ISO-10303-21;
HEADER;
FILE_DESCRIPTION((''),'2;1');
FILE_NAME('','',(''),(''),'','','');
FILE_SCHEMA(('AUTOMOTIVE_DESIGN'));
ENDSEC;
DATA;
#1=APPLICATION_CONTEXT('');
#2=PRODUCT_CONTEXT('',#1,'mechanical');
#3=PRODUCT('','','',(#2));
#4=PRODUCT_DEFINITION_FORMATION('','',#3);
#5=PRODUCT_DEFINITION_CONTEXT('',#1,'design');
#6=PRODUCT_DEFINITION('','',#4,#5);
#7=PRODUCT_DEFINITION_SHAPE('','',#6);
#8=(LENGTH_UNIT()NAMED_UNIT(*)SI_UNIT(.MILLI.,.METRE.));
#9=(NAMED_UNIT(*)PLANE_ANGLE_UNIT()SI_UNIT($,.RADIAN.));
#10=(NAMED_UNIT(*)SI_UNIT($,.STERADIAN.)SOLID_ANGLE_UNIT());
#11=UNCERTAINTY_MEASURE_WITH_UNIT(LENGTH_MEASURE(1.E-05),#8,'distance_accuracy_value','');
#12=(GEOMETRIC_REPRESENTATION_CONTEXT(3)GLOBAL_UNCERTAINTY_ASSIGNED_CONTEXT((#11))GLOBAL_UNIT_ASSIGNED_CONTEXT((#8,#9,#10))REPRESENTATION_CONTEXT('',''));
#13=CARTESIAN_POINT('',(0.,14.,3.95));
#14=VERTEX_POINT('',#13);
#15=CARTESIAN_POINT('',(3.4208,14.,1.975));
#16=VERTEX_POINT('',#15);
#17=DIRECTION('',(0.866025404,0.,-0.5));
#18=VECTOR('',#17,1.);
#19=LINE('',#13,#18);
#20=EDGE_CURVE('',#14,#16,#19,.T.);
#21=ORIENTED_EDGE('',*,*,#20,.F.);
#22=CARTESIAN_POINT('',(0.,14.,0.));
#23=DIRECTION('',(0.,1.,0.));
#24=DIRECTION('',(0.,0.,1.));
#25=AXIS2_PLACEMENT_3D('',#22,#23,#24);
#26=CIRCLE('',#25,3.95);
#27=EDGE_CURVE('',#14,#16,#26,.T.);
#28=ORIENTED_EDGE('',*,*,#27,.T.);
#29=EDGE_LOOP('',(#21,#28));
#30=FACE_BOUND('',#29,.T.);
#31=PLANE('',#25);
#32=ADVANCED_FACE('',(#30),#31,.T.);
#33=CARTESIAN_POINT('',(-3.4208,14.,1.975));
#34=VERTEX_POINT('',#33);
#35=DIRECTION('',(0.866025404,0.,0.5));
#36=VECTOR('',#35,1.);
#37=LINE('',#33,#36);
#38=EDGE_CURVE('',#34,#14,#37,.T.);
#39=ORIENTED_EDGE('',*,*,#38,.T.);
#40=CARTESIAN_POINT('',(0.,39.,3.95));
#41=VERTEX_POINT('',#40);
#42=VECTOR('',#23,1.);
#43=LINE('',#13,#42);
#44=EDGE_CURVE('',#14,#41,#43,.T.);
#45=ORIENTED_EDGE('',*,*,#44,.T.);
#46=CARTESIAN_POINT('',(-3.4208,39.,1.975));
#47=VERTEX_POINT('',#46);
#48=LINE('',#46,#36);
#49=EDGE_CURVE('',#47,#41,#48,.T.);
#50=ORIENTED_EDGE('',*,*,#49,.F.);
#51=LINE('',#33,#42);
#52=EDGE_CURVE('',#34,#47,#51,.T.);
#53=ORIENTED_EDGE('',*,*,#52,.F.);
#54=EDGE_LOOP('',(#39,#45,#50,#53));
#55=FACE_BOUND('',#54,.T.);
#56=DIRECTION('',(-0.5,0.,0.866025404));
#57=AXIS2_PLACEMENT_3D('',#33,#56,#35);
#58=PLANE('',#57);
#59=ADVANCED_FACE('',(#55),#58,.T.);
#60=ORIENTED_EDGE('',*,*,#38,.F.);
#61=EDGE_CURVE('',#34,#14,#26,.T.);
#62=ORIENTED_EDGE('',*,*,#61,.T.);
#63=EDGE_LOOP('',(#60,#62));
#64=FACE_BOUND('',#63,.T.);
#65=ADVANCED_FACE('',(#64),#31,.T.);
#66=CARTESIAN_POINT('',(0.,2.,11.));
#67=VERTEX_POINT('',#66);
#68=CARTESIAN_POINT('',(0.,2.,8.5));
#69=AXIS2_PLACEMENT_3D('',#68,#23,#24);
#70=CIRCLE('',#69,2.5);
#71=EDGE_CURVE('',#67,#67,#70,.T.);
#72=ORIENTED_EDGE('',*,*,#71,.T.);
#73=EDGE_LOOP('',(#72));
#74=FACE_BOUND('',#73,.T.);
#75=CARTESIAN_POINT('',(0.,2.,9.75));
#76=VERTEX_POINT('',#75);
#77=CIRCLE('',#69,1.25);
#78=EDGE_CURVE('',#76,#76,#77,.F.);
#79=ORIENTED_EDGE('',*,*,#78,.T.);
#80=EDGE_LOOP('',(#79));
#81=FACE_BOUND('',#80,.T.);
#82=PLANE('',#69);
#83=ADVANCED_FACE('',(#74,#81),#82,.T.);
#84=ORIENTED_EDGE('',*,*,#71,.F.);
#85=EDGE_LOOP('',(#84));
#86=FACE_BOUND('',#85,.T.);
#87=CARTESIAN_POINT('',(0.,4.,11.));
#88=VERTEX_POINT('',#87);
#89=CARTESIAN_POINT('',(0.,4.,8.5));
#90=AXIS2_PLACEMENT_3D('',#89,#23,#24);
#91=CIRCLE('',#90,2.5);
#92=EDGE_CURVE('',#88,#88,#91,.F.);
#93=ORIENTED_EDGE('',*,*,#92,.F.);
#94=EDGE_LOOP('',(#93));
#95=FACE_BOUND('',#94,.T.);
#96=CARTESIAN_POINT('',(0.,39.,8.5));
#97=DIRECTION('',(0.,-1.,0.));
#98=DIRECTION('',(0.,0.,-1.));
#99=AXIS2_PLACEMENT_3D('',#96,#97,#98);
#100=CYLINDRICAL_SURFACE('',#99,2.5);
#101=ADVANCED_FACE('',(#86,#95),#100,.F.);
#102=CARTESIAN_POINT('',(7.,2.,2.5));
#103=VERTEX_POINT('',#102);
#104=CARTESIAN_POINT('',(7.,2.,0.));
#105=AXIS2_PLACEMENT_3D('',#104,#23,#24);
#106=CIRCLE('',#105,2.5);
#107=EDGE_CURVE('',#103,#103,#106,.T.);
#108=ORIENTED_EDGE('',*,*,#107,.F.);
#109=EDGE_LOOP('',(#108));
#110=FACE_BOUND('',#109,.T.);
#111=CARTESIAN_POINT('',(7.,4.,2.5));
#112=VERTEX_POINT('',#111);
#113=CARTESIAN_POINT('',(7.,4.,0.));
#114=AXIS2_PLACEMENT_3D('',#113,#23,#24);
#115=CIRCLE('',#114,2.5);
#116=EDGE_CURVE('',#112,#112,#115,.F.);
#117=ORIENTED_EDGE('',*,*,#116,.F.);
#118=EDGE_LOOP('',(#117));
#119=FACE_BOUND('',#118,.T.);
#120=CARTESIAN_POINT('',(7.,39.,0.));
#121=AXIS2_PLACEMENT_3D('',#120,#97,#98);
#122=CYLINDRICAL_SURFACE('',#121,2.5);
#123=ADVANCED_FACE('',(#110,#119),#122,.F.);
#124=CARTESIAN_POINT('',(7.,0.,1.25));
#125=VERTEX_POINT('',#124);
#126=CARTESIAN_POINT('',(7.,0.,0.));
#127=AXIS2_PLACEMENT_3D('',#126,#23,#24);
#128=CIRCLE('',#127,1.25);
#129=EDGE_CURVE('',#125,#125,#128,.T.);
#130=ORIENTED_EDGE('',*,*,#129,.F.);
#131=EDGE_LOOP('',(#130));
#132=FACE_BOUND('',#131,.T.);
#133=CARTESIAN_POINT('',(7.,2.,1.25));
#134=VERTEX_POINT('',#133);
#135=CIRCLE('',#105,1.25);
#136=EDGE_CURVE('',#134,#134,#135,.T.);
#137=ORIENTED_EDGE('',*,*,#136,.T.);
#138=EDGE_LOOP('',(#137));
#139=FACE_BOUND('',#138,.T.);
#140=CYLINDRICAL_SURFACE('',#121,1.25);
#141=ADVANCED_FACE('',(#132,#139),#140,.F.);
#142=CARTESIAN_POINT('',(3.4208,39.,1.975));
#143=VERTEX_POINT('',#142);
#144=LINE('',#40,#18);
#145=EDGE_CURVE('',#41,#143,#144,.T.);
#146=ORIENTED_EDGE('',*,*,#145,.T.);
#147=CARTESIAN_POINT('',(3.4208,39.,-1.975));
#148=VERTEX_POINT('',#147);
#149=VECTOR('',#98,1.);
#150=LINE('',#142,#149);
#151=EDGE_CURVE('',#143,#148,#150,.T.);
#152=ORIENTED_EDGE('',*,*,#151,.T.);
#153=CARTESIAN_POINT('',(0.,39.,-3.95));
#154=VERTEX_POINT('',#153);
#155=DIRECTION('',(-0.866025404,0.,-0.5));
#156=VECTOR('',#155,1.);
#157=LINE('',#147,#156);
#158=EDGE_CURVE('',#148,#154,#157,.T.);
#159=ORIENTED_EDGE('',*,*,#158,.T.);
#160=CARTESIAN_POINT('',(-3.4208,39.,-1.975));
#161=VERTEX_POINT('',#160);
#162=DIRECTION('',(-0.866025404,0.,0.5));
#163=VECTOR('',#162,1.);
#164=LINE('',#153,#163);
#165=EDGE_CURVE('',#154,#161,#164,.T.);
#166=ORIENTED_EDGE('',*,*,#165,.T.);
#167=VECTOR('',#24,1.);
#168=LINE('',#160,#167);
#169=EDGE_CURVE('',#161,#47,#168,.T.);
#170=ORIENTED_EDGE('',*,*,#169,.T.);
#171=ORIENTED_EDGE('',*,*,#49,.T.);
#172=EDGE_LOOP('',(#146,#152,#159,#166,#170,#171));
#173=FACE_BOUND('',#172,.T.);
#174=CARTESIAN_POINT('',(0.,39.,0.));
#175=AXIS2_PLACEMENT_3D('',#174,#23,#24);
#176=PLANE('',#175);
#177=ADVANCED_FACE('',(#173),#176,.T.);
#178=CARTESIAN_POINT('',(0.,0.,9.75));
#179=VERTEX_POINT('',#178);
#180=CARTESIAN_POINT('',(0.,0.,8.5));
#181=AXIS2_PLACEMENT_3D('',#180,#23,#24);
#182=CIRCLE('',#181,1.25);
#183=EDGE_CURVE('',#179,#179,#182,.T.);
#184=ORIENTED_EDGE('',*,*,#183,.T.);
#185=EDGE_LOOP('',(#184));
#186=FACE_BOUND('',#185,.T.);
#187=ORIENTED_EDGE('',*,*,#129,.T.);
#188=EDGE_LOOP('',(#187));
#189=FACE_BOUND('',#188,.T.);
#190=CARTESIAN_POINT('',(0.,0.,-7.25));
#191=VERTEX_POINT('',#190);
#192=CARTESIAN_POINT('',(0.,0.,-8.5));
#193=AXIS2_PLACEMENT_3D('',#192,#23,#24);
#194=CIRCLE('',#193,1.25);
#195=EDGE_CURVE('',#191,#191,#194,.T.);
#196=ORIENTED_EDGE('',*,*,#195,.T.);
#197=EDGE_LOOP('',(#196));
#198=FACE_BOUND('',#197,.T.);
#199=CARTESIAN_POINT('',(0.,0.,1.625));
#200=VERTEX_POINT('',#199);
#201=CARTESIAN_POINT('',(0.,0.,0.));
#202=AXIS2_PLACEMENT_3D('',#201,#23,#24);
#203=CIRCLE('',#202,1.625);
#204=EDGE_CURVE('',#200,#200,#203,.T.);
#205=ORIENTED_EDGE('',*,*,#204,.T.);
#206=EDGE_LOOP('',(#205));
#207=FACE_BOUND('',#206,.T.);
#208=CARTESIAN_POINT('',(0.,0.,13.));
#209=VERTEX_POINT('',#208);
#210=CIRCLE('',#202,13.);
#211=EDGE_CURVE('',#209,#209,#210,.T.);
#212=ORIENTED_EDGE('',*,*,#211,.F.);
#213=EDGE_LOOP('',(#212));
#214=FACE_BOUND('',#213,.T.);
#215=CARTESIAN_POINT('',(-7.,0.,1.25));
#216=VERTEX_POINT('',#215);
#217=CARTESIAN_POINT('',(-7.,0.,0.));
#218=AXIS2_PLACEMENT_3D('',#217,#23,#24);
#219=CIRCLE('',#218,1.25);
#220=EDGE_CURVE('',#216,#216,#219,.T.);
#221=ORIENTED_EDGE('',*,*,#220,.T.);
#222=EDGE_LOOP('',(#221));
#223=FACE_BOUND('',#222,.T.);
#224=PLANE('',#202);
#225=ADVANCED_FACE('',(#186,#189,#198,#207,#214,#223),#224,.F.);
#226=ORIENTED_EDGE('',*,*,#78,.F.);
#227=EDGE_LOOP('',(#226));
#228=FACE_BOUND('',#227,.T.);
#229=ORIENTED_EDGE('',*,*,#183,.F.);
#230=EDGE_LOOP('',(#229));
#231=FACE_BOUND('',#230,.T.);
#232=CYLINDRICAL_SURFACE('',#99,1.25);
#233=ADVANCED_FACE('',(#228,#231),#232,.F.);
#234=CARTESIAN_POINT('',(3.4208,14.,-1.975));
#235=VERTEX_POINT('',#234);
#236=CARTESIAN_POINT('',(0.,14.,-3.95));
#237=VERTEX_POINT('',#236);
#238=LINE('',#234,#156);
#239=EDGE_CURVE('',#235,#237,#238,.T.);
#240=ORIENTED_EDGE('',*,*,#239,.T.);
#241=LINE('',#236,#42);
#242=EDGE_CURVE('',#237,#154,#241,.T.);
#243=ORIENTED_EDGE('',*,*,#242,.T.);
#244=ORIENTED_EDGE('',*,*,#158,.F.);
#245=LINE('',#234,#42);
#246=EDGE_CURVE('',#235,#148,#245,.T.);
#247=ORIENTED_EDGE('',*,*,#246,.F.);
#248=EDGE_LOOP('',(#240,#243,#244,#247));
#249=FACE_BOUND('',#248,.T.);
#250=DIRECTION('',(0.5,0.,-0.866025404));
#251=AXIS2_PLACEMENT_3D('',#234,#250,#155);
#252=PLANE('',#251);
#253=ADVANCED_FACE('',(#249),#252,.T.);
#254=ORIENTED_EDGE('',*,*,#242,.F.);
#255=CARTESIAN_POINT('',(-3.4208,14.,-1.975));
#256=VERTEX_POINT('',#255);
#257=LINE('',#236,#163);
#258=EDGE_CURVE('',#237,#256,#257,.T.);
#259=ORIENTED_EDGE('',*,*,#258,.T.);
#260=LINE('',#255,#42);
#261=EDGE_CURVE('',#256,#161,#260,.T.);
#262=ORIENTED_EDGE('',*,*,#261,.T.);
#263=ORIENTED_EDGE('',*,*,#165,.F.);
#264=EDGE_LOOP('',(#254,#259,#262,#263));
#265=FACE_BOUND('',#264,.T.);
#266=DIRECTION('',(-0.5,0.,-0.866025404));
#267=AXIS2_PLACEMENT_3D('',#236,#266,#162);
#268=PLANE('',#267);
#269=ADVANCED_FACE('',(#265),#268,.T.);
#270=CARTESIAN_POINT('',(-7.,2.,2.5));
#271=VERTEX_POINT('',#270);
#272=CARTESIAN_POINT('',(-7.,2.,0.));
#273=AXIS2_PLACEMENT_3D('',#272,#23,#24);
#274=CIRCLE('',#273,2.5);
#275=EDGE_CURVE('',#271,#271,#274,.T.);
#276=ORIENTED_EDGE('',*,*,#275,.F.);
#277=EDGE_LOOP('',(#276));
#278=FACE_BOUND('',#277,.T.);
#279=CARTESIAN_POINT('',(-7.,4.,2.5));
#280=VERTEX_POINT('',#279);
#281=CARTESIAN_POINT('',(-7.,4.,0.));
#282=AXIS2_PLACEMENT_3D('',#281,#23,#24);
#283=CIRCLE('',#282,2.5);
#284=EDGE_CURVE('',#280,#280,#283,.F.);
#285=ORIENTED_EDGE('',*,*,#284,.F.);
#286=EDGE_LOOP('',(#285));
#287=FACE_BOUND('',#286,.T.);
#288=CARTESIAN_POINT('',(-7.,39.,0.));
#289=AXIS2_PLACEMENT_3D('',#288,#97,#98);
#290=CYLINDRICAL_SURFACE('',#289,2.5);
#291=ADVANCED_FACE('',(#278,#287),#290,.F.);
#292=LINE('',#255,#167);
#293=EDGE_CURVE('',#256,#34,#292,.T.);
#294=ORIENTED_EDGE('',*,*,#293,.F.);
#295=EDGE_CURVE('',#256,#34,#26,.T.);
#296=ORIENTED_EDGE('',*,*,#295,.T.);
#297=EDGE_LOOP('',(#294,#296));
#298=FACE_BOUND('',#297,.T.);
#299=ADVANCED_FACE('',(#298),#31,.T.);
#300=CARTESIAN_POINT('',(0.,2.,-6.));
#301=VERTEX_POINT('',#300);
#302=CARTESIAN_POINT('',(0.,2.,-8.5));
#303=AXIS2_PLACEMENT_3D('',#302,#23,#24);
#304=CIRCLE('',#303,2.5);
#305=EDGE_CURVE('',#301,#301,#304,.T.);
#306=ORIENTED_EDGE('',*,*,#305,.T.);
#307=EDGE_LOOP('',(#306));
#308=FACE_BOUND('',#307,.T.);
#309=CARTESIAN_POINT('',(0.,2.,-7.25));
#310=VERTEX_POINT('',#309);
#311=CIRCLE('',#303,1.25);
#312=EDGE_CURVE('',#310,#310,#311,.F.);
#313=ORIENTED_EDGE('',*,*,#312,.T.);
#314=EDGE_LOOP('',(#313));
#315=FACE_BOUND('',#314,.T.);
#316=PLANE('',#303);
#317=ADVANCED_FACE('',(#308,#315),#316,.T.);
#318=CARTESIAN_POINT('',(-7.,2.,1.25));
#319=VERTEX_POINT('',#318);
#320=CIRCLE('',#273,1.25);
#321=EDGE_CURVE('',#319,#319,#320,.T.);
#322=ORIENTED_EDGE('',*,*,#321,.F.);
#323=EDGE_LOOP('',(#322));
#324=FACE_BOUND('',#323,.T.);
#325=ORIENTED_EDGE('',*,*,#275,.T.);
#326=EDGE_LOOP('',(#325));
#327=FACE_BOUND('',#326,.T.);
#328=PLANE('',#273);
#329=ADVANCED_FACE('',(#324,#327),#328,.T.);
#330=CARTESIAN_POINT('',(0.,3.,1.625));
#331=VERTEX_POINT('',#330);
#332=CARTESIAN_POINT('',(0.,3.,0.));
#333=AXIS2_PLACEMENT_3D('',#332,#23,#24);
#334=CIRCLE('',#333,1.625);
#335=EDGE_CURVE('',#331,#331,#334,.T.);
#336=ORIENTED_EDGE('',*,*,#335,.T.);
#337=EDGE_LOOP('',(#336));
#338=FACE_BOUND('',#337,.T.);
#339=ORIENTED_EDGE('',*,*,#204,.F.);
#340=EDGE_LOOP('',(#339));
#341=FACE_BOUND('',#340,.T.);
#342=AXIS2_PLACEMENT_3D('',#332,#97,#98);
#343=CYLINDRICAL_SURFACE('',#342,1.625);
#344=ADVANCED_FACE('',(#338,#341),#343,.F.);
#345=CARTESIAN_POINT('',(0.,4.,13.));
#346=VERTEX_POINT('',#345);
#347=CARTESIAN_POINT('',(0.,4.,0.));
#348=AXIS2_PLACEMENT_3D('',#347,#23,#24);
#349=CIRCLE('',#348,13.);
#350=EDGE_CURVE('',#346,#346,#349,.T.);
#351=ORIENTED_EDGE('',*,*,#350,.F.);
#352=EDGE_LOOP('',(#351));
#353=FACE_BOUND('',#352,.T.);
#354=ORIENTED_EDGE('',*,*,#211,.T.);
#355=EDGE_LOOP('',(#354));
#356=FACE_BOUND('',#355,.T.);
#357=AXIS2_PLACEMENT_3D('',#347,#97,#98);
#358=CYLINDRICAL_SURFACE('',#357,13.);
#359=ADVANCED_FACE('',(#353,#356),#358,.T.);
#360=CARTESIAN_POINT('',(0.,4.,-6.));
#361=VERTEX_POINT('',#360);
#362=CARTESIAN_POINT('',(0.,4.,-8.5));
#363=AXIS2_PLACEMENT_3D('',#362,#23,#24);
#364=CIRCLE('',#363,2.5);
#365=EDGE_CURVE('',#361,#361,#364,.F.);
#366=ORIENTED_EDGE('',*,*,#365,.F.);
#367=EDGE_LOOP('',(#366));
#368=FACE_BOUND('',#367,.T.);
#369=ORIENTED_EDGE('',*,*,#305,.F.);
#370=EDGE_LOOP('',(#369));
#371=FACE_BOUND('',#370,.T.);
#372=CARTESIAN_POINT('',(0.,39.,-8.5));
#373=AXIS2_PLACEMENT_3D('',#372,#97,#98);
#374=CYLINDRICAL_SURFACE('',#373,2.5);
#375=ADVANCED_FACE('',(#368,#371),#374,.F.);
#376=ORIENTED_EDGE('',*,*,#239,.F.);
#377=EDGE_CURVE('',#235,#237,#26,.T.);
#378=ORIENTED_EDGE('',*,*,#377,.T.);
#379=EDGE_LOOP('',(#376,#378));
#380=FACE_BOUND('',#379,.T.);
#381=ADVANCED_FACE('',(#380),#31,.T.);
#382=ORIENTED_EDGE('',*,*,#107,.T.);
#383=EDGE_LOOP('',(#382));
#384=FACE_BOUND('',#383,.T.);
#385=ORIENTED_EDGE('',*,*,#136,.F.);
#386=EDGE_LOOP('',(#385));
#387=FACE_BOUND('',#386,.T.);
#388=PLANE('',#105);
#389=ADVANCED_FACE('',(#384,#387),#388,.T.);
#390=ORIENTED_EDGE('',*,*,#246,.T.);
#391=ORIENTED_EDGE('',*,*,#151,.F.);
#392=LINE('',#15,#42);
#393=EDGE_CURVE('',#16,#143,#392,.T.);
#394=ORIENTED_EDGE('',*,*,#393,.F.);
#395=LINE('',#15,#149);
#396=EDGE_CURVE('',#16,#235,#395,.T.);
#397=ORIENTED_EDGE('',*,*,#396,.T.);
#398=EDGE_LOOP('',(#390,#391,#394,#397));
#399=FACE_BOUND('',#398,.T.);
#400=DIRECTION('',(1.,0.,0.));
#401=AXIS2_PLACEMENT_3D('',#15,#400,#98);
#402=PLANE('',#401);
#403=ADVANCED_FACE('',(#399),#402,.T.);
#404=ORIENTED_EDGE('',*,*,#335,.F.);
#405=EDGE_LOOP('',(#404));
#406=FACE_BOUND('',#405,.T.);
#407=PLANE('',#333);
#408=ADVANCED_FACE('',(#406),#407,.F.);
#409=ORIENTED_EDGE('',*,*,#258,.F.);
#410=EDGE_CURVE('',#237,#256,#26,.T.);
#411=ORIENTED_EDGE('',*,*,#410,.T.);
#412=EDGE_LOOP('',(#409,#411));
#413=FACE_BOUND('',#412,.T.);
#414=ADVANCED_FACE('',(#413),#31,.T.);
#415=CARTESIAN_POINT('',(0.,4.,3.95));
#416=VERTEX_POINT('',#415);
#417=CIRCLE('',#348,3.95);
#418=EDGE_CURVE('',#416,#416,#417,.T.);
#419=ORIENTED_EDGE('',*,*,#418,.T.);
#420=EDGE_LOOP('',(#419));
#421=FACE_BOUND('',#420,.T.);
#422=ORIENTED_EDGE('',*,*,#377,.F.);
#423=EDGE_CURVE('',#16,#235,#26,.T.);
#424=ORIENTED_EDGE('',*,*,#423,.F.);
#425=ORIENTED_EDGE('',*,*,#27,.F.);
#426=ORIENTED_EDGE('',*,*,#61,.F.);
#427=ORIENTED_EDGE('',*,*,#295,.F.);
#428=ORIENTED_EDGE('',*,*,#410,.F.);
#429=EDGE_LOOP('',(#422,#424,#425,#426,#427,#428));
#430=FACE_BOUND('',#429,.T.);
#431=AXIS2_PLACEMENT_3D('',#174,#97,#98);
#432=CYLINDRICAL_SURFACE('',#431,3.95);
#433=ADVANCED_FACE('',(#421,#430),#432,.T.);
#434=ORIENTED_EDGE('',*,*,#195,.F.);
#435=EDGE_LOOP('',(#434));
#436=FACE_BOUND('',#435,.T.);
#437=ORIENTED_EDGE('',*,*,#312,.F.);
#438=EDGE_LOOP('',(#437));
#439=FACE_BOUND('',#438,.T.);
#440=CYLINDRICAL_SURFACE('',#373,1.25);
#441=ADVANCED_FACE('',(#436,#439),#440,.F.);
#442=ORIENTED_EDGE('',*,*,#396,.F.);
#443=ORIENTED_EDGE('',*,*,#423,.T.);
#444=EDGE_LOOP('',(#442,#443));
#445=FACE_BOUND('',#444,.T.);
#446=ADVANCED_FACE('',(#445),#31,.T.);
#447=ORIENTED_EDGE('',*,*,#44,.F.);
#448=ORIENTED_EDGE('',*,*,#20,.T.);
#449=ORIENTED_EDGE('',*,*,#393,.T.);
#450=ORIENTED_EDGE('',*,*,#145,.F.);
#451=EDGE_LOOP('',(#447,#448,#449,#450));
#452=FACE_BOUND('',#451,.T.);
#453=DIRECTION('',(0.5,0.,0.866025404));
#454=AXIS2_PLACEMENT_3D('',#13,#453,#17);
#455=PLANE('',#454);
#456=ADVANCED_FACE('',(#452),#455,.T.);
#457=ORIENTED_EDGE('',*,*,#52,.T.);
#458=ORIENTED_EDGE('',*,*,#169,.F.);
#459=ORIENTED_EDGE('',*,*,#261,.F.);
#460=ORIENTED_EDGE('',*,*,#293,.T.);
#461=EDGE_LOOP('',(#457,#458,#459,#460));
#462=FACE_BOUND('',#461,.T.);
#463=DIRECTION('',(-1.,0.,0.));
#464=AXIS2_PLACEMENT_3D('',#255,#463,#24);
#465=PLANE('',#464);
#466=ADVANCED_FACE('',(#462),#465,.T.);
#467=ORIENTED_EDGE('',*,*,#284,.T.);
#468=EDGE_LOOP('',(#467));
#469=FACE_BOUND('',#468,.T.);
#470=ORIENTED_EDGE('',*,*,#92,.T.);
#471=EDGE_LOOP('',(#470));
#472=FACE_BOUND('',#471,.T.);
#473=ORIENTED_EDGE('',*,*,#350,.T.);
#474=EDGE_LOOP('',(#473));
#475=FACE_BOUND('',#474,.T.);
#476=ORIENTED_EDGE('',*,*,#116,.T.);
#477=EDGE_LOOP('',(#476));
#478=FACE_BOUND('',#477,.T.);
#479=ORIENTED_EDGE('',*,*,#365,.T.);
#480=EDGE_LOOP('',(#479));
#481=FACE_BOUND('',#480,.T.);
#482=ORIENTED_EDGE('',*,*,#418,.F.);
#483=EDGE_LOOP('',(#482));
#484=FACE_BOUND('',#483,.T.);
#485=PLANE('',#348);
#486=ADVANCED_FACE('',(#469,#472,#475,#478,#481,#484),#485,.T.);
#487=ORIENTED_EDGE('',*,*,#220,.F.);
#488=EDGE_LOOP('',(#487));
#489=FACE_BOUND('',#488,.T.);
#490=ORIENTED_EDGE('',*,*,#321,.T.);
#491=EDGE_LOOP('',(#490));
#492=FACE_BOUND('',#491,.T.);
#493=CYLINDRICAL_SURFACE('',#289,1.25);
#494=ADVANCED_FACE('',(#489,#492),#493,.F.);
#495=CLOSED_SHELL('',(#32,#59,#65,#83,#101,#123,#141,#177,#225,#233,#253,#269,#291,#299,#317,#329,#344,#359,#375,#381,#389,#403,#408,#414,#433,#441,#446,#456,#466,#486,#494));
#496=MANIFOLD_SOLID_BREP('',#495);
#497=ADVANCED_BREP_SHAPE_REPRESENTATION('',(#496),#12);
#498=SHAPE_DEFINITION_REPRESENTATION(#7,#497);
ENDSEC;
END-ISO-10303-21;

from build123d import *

# Parameters (mm, degrees)
CROQUIS3_R                 = 13
SALIENTE_EXTRUIR1_DEPTH    = 4
CROQUIS4_R                 = 3.95
SALIENTE_EXTRUIR2_DEPTH    = 35
CORTAR_EXTRUIR3_DEPTH      = 44.116122275
CORTAR_EXTRUIR3_DEPTH_BACK = 44.116122275
CROQUIS8_R                 = 1.25
CORTAR_EXTRUIR5_DEPTH      = 40.534794802
CORTAR_EXTRUIR5_DEPTH_BACK = 2
CROQUIS10_R                = 2.5
CROQUIS10_R_2              = 1.25
CROQUIS9_R                 = 1.625
CORTAR_EXTRUIR4_DEPTH      = 3
CROQUIS12_OUTSIDE_W        = 38.72
CROQUIS12_OUTSIDE_H        = 38.72
CORTAR_EXTRUIR7_DEPTH      = 25


with BuildPart() as part:
    # Croquis3 → Saliente-Extruir1 (new body)
    with BuildSketch(Plane(origin=(0, 0, 0), x_dir=(1, 0, 0), z_dir=(0, 1, 0))):
        with Locations(Location((0, 0, 0), (0, 0, 270))):
            Circle(CROQUIS3_R)
    extrude(amount=SALIENTE_EXTRUIR1_DEPTH)

    # Croquis4 → Saliente-Extruir2 (add)
    with BuildSketch(Plane(origin=(0, 4, 0), x_dir=(1, 0, 0), z_dir=(0, 1, 0))):
        with Locations(Location((0, 0, 0), (0, 0, 270))):
            Circle(CROQUIS4_R)
    extrude(amount=SALIENTE_EXTRUIR2_DEPTH)

    # Croquis8 → Cortar-Extruir3 (cut, two sides: drawn at the far end of the back side and taken through both)
    with BuildSketch(Plane.XZ.offset(-CORTAR_EXTRUIR3_DEPTH_BACK)):
        with Locations(Location((0, 8.5, 0), (0, 0, 90))):
            Circle(CROQUIS8_R)
        with Locations(Location((0, -8.5, 0), (0, 0, 90))):
            Circle(CROQUIS8_R)
        with Locations(Location((-7, 0, 0), (0, 0, 90))):
            Circle(CROQUIS8_R)
        with Locations(Location((7, 0, 0), (0, 0, 90))):
            Circle(CROQUIS8_R)
    extrude(amount=CORTAR_EXTRUIR3_DEPTH + CORTAR_EXTRUIR3_DEPTH_BACK, mode=Mode.SUBTRACT)

    # Croquis10 → Cortar-Extruir5 (cut, two sides: drawn at the far end of the back side and taken through both)
    # profile 1 of 4: a face of its own
    with BuildSketch(Plane(origin=(0, 4, 0), x_dir=(1, 0, 0), z_dir=(0, 1, 0)).offset(-CORTAR_EXTRUIR5_DEPTH_BACK)):
        with Locations(Location((0, 8.5, 0), (0, 0, 270))):
            Circle(CROQUIS10_R)
    # profile 2 of 4: a face of its own
    with BuildSketch(Plane(origin=(0, 4, 0), x_dir=(1, 0, 0), z_dir=(0, 1, 0)).offset(-CORTAR_EXTRUIR5_DEPTH_BACK)):
        with Locations(Location((0, -8.5, 0), (0, 0, 270))):
            Circle(CROQUIS10_R)
    # profile 3 of 4: a face of its own
    with BuildSketch(Plane(origin=(0, 4, 0), x_dir=(1, 0, 0), z_dir=(0, 1, 0)).offset(-CORTAR_EXTRUIR5_DEPTH_BACK)):
        with Locations(Location((-7, 0, 0), (0, 0, 270))):
            Circle(CROQUIS10_R)
        with Locations(Location((-7, 0, 0), (0, 0, 270))):
            Circle(CROQUIS10_R_2, mode=Mode.SUBTRACT)
    # profile 4 of 4: a face of its own
    with BuildSketch(Plane(origin=(0, 4, 0), x_dir=(1, 0, 0), z_dir=(0, 1, 0)).offset(-CORTAR_EXTRUIR5_DEPTH_BACK)):
        with Locations(Location((7, 0, 0), (0, 0, 270))):
            Circle(CROQUIS10_R)
        with Locations(Location((7, 0, 0), (0, 0, 270))):
            Circle(CROQUIS10_R_2, mode=Mode.SUBTRACT)
    extrude(amount=CORTAR_EXTRUIR5_DEPTH + CORTAR_EXTRUIR5_DEPTH_BACK, mode=Mode.SUBTRACT)

    # Croquis9 → Cortar-Extruir4 (cut)
    with BuildSketch(Plane(origin=(0, 0, 0), x_dir=(1, 0, 0), z_dir=(0, 1, 0))):
        with Locations(Location((0, 0, 0), (0, 0, 270))):
            Circle(CROQUIS9_R)
    extrude(amount=CORTAR_EXTRUIR4_DEPTH, mode=Mode.SUBTRACT)

    # Croquis12 outside → Cortar-Extruir7 (cut)
    with BuildSketch(Plane(origin=(0, 39, 0), x_dir=(1, 0, 0), z_dir=(0, 1, 0))):
        Rectangle(CROQUIS12_OUTSIDE_W, CROQUIS12_OUTSIDE_H)
        Polygon((0, 3.95), (-3.420800345, 1.975), (-3.420800345, -1.975), (0, -3.95), (3.420800345, -1.975), (3.420800345, 1.975), align=None, mode=Mode.SUBTRACT)
    extrude(amount=-CORTAR_EXTRUIR7_DEPTH, mode=Mode.SUBTRACT)


solid = part.part
